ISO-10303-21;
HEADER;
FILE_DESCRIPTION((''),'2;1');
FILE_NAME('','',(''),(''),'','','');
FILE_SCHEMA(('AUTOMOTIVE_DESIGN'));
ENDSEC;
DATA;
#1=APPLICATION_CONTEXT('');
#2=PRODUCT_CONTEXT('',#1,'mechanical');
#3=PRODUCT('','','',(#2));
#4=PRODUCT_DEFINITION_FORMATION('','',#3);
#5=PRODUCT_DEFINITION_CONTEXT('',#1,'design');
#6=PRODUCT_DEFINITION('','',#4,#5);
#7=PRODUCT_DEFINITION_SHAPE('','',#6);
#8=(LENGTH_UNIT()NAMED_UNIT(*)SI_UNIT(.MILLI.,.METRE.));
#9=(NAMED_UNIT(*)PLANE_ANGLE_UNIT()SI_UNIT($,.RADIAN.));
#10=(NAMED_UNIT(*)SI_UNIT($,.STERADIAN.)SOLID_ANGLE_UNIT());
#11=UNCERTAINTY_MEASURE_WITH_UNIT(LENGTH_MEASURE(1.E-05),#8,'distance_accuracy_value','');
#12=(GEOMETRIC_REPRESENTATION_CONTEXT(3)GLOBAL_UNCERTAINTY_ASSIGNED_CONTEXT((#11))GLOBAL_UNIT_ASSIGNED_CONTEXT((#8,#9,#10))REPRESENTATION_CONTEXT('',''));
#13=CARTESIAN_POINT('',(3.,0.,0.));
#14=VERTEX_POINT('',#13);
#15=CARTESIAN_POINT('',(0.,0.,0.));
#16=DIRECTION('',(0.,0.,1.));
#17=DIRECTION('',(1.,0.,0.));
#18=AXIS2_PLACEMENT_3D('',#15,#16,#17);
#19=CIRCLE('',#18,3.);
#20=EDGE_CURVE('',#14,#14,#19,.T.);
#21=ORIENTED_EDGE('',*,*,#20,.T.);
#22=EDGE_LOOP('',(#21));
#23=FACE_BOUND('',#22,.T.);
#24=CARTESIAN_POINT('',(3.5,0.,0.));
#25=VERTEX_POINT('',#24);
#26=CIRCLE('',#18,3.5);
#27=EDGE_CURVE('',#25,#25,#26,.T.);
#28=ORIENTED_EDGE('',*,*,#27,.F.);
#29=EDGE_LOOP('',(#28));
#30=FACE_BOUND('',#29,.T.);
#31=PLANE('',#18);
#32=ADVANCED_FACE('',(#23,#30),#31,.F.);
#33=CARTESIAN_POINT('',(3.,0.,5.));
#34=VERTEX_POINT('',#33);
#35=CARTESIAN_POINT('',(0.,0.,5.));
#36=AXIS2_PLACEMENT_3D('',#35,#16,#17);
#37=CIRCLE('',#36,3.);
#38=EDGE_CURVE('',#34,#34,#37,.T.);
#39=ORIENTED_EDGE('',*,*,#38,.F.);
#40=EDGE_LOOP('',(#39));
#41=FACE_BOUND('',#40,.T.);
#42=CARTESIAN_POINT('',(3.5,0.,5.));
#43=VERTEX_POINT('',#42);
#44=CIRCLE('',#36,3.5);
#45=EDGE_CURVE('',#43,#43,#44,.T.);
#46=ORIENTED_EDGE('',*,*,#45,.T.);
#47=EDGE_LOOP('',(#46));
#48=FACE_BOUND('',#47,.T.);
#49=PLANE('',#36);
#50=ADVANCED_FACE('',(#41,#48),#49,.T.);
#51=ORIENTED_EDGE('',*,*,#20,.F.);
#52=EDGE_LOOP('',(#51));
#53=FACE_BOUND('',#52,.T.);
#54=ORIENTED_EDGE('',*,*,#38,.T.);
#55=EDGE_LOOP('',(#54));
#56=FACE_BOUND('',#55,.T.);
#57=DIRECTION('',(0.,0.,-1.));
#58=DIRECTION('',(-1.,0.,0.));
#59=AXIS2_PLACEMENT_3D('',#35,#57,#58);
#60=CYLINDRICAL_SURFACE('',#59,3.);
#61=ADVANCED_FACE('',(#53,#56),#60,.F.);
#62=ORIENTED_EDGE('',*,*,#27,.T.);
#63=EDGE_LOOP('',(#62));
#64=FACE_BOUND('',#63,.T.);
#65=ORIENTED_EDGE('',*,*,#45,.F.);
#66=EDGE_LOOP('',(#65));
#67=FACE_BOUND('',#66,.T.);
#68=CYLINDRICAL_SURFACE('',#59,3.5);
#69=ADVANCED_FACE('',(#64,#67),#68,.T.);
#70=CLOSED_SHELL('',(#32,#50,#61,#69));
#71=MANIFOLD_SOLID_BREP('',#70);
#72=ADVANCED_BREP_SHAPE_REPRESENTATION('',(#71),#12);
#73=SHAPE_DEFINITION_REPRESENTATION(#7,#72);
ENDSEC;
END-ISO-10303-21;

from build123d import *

# Parameters (mm, degrees)
SKETCH_1_R      = 3.5
SKETCH_1_R_2    = 3
EXTRUDE_1_DEPTH = 5


with BuildPart() as part:
    # Эскиз1 → Бобышка-Вытянуть1 (new body)
    with BuildSketch(Plane.XY):
        Circle(SKETCH_1_R)
        Circle(SKETCH_1_R_2, mode=Mode.SUBTRACT)
    extrude(amount=EXTRUDE_1_DEPTH)


solid = part.part
